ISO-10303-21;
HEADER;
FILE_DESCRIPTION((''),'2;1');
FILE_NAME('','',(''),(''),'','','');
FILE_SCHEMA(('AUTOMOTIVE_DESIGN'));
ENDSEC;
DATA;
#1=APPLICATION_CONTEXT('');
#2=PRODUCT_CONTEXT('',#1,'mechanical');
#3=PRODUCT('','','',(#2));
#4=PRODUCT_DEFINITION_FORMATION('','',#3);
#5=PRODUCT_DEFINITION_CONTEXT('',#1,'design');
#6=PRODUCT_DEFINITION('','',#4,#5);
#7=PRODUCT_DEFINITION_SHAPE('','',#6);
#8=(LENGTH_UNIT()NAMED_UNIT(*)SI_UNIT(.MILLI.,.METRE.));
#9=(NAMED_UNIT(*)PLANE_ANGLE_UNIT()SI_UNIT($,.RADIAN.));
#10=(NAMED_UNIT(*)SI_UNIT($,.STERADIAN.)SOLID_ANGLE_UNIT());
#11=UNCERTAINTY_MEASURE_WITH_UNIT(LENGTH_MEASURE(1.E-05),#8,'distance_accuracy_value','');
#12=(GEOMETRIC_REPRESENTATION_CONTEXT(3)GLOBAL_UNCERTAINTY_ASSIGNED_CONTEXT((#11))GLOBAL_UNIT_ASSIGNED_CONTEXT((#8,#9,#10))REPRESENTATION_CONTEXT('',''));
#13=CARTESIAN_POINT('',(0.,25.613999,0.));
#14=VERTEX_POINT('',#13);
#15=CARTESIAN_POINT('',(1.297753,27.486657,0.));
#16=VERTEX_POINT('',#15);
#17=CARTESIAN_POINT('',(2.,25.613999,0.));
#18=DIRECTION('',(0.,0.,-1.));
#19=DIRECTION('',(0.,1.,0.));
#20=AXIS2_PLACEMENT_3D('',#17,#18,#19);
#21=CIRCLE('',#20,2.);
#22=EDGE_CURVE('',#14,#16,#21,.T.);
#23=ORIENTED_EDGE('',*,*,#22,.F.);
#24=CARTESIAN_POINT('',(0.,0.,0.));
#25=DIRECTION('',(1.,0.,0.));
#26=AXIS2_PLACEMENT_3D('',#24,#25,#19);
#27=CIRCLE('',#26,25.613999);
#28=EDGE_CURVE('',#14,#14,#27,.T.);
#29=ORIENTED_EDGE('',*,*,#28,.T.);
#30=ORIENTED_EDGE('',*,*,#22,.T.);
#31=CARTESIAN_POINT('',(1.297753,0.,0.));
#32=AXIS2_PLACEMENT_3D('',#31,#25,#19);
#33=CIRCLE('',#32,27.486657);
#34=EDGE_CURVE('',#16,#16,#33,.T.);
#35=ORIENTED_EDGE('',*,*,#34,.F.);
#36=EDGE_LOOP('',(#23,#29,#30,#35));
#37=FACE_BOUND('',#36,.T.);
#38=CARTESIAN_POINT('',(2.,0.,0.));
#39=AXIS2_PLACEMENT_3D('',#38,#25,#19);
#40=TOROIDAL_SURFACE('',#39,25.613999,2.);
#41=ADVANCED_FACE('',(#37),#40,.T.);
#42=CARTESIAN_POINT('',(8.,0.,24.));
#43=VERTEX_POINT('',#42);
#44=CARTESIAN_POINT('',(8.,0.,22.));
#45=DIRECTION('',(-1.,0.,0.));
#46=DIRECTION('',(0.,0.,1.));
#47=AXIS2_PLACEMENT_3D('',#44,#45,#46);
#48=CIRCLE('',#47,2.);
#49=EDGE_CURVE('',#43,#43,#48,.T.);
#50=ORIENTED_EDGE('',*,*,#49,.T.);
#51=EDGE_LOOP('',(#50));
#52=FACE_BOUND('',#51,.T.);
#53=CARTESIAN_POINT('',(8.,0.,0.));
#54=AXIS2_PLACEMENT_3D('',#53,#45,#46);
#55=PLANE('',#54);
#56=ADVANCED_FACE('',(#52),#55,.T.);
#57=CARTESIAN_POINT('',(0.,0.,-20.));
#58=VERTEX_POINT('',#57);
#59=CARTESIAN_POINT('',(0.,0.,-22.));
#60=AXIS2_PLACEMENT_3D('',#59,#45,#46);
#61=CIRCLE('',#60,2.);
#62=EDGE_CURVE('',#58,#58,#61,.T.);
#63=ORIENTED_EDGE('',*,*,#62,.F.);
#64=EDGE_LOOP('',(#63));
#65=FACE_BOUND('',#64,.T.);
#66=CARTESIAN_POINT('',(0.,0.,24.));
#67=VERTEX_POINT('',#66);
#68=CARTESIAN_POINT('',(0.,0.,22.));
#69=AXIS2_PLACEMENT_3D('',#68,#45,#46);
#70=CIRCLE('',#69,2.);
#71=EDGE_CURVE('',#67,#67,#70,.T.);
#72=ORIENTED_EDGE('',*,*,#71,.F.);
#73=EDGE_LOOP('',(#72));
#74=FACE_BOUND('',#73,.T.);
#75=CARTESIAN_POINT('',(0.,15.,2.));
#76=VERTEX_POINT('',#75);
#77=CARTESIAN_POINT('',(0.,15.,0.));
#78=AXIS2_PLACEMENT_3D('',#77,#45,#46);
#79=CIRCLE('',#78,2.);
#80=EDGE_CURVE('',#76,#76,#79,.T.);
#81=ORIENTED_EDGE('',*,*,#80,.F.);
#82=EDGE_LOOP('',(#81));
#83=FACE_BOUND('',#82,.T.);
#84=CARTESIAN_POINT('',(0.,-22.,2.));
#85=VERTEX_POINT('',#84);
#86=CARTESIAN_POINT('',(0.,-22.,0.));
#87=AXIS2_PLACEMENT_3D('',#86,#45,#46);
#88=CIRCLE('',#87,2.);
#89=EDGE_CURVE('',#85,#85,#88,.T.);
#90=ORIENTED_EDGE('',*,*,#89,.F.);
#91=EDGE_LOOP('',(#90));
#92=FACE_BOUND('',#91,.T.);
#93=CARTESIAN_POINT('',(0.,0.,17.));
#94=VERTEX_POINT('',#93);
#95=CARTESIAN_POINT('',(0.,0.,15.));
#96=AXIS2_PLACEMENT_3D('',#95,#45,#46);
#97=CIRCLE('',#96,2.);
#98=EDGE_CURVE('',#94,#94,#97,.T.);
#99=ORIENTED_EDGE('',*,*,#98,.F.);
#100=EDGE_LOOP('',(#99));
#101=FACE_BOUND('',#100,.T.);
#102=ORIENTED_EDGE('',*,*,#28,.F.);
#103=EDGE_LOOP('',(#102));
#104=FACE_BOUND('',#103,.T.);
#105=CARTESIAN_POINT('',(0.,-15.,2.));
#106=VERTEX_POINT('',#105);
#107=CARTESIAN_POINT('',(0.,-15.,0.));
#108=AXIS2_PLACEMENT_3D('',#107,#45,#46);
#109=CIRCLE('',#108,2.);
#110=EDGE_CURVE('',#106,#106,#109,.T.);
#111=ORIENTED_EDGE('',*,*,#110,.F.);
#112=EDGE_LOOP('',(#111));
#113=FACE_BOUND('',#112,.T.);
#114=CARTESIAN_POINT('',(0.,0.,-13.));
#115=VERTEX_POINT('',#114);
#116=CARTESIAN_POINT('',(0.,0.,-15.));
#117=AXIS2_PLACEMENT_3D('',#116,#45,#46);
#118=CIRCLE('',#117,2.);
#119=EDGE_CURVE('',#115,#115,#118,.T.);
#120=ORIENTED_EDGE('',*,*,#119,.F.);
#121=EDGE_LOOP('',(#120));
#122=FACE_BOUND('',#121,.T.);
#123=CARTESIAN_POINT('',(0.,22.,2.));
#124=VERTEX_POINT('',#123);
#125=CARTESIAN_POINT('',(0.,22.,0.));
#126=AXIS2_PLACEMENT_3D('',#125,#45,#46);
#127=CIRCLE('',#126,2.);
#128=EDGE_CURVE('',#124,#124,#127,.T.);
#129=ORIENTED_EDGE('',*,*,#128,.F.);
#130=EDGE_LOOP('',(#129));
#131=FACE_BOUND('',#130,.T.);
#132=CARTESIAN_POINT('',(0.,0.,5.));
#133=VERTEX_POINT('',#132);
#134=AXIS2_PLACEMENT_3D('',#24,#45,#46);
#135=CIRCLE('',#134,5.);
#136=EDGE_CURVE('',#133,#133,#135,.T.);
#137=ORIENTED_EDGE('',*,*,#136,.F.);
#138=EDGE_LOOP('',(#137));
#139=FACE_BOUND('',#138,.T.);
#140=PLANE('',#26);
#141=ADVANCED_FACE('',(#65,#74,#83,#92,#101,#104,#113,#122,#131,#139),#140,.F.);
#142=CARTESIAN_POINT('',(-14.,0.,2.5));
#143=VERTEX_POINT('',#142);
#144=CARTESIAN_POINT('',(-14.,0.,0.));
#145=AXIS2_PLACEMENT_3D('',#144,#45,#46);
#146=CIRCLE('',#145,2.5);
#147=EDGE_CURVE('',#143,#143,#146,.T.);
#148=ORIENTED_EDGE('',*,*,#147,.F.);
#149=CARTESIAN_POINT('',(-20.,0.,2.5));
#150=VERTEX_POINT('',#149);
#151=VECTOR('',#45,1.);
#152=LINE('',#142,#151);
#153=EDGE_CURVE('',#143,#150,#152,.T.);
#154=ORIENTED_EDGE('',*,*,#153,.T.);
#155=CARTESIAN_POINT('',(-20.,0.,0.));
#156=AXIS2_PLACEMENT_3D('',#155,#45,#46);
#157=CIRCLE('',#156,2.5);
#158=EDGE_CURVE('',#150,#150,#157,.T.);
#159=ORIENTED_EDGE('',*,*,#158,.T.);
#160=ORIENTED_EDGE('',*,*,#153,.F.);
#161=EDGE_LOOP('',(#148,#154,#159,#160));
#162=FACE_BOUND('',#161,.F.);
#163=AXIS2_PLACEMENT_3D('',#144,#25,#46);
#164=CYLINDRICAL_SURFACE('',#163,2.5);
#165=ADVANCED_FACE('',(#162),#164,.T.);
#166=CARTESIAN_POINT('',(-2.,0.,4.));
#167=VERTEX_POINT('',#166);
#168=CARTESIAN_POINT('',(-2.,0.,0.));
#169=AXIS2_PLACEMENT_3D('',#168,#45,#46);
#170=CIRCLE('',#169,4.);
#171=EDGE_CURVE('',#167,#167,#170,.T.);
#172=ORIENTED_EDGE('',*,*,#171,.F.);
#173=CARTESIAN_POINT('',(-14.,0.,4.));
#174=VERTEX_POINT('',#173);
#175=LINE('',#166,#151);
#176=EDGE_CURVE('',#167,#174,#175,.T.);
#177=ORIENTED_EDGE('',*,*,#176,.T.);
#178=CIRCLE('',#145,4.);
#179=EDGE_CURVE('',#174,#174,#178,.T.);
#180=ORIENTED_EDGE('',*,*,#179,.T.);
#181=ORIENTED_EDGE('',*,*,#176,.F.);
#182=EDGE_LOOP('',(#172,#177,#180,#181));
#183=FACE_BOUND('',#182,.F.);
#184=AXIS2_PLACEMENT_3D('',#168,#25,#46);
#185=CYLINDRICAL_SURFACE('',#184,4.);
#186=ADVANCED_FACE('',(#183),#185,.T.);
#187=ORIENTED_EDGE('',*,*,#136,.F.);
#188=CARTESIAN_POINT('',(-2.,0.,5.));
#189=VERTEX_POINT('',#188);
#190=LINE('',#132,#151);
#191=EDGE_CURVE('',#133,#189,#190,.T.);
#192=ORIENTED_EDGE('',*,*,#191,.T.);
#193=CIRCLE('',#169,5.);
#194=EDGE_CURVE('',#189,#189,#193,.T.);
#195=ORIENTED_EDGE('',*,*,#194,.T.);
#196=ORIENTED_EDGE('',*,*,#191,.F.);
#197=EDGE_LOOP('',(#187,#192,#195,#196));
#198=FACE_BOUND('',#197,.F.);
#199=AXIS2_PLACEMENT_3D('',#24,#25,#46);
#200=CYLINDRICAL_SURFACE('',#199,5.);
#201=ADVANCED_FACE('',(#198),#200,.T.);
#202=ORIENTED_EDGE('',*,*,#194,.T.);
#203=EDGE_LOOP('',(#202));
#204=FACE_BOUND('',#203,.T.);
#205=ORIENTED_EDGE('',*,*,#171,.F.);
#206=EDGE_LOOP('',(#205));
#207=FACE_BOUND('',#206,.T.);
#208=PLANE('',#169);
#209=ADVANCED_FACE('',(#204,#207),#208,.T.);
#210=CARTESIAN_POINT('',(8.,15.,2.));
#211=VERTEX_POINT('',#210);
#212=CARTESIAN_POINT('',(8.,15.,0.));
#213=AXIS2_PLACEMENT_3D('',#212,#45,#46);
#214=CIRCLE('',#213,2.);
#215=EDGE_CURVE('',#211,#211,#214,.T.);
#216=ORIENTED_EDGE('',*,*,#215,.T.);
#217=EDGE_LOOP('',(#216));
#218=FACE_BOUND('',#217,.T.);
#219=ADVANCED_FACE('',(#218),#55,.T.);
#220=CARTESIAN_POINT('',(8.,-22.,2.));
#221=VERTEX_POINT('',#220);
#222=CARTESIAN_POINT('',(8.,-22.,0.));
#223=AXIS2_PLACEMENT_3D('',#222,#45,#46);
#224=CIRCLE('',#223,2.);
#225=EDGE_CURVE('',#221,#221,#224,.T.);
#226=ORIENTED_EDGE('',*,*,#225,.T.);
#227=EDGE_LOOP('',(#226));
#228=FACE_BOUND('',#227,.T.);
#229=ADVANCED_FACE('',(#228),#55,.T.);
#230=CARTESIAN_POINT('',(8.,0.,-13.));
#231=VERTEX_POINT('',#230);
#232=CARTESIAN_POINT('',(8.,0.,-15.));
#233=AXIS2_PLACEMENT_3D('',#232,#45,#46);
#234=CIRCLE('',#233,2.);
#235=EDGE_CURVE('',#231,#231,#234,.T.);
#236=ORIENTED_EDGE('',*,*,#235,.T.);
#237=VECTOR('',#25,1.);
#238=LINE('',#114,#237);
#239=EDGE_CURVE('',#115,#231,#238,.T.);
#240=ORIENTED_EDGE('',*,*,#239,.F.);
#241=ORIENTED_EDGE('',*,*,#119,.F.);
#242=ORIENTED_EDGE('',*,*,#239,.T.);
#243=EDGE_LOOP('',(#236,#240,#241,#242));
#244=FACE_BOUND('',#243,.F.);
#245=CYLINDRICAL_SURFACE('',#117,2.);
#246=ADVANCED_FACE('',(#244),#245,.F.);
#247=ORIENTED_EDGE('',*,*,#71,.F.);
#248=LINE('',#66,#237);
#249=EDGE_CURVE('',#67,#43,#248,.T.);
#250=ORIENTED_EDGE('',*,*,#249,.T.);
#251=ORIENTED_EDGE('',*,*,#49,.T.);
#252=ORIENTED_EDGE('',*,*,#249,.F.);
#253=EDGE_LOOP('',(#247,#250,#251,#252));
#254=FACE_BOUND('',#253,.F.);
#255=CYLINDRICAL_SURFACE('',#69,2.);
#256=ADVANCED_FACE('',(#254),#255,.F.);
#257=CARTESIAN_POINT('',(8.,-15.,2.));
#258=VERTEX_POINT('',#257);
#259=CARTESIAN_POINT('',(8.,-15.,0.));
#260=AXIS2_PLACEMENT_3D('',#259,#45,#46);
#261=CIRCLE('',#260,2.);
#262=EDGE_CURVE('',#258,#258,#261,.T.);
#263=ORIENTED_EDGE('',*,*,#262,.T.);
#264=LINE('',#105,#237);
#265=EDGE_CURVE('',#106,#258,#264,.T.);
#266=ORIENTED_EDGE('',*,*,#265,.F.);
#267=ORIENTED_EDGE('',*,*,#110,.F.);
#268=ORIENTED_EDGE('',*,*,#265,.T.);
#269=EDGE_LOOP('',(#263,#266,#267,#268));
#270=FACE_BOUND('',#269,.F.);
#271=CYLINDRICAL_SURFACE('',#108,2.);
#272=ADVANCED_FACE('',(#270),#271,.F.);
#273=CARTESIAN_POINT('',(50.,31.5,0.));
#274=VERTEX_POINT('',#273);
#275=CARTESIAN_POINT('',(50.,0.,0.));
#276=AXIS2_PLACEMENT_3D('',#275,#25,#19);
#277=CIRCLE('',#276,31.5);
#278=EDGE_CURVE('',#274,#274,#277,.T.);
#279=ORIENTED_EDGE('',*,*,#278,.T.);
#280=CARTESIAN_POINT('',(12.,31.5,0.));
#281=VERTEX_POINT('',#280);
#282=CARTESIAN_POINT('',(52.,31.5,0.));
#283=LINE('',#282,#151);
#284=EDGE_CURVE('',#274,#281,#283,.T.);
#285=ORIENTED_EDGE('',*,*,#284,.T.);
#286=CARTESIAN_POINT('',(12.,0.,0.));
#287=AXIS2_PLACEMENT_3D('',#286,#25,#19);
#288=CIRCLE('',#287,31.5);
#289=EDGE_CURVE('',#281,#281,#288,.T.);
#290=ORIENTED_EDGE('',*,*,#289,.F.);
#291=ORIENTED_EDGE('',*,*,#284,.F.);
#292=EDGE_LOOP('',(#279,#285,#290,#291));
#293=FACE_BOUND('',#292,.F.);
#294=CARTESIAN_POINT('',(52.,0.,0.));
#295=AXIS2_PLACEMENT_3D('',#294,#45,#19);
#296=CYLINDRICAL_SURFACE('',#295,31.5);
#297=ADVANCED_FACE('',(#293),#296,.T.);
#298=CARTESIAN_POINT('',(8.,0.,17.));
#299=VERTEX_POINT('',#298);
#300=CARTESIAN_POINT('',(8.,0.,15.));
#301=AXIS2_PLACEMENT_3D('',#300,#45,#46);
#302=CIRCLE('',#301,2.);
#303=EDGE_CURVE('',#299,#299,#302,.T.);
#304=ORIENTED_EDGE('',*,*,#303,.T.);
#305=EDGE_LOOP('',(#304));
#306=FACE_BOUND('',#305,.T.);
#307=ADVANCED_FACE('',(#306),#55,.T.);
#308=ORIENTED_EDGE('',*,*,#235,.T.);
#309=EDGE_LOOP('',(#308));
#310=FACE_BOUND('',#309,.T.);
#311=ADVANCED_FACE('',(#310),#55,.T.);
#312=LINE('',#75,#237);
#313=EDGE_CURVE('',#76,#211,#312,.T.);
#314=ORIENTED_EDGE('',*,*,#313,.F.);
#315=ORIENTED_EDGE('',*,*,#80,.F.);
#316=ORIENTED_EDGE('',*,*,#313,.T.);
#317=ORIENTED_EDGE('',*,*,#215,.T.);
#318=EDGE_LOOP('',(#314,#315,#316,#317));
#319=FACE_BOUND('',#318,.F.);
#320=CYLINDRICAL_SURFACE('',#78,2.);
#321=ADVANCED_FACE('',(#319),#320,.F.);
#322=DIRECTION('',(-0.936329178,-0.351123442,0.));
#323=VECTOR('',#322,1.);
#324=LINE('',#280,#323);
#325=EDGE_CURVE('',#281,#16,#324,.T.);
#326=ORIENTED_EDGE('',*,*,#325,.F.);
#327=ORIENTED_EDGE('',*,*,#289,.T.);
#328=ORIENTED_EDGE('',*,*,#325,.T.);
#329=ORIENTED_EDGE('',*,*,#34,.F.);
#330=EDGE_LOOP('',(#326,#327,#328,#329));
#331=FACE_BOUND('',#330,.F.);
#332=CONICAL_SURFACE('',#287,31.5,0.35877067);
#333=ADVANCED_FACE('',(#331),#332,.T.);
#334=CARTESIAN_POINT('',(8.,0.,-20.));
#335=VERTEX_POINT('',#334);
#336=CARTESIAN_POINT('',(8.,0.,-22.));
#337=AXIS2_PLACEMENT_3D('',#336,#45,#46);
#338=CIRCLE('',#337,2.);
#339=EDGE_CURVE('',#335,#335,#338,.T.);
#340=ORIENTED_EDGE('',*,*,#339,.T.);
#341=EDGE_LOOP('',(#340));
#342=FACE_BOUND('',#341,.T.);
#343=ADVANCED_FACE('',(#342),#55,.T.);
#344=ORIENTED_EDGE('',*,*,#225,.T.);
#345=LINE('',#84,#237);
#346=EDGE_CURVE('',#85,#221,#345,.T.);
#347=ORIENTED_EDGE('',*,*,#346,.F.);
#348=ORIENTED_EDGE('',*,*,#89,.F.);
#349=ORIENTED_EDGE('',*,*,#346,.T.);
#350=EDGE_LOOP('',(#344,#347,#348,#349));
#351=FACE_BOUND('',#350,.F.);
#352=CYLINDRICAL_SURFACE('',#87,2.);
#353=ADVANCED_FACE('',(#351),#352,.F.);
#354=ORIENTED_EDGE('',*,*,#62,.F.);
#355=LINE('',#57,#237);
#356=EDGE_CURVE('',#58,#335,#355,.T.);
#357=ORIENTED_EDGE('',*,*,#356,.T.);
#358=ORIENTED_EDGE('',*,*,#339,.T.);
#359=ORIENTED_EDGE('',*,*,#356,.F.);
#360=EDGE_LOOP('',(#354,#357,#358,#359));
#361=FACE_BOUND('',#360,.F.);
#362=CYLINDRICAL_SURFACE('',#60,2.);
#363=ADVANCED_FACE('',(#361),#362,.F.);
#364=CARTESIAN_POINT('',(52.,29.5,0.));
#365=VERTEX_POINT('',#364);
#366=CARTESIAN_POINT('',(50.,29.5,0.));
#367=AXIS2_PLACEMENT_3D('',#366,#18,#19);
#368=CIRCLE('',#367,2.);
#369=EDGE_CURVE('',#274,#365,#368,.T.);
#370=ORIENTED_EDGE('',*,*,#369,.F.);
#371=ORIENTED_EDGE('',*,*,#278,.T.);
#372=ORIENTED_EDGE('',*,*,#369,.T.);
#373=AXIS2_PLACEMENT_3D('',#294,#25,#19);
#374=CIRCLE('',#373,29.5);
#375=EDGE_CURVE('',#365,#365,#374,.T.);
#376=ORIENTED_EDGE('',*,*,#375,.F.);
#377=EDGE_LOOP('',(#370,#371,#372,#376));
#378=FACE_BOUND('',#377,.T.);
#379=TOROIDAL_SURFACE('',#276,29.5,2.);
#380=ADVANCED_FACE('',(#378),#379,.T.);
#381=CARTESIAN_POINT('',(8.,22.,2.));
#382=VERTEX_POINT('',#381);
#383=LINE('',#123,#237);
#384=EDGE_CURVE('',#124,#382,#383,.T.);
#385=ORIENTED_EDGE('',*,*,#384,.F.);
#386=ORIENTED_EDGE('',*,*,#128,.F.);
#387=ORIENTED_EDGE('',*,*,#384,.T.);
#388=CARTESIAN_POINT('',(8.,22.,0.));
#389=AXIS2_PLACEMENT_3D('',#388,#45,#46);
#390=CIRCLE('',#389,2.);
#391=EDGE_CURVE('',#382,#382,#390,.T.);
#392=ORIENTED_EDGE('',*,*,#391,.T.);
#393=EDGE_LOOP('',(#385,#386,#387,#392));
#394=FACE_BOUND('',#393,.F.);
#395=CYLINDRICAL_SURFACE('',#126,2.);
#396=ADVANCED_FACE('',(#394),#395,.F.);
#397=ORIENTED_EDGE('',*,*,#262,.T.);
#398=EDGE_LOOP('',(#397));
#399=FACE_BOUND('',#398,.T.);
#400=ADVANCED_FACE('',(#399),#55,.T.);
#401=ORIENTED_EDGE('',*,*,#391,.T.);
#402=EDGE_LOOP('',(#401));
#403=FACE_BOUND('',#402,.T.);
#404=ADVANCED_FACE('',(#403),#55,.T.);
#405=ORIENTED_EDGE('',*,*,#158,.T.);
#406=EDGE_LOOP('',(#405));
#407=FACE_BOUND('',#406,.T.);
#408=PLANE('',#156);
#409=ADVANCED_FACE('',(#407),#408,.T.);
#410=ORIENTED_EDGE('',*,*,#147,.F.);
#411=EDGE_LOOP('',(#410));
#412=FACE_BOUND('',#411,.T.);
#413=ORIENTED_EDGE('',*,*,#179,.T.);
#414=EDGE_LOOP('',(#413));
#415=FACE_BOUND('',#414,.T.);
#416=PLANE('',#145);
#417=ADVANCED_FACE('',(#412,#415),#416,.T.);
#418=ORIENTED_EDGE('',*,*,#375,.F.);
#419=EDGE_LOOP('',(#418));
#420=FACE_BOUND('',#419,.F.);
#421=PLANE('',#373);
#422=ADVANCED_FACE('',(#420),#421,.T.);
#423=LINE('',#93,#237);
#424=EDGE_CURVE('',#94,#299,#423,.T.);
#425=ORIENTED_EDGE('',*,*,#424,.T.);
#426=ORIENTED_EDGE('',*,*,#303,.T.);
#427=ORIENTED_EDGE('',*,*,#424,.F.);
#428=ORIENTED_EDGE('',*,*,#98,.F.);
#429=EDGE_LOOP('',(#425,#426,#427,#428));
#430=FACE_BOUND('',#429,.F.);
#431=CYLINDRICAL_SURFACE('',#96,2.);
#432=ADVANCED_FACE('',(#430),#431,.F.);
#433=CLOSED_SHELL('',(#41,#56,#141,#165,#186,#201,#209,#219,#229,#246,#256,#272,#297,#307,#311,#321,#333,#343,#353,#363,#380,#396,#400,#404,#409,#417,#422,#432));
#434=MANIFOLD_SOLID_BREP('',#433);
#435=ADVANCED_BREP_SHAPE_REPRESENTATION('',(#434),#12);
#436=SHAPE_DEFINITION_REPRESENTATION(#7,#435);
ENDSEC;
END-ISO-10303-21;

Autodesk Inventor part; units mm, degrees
ref_plane "YZ Plane" through (0, 0, 0) normal (1, 0, 0) x (0, 1, 0)
ref_plane "XZ Plane" through (0, 0, 0) normal (0, 1, 0) x (-1, 0, 0)
ref_plane "XY Plane" through (0, 0, 0) normal (0, 0, 1) x (1, 0, 0)
sketch "Sketch1" plane through (0, 0, 0) normal (0, 0, 1) x (1, 0, 0)
  line L0 (0, 0) -> (0, 27)
  line L1 (0, 0) -> (52, 0)
  line L2 (52, 0) -> (52, 31.5)
  line L3 (52, 31.5) -> (12, 31.5)
  line L4 (12, 31.5) -> (0, 27)
  dimension "d1" = 27
  dimension "d2" = 52
  dimension "d3" = 31.5
  dimension "d4" = 40
revolve "Revolution1" add sketch "Sketch1" angle 360 about axis through (0, 0, 0) along (1, 0, 0)
sketch "Sketch2" plane through (0, 0, 0) normal (-1, 0, 0) x (0, 0, 1)
  circle A0 centre (0, 0) radius 5
  dimension "d6" = 10
extrude "Extrusion1" add sketch "Sketch2" along normal blind 2
sketch "Sketch3" plane through (-2, 0, 0) normal (-1, 0, 0) x (0, 0, 1)
  circle A0 centre (0, 0) radius 4
  dimension "d9" = 8
extrude "Extrusion2" add sketch "Sketch3" along normal blind 12
sketch "Sketch4" plane through (-14, 0, 0) normal (-1, 0, 0) x (0, 0, 1)
  circle A0 centre (0, 0) radius 4 projected
  circle A1 centre (0, 0) radius 2.5
  dimension "d12" = 5
extrude "Extrusion3" add sketch "Sketch4" along normal blind 6 contours A1
thread "Thread1" size "M8x1" class "6g" standard "ANSI Metric M Profile" length 6
thread "Thread2" size "M5x0.8" class "6g" standard "ANSI Metric M Profile" full length
fillet "Fillet1" radius 2 2 edges at (0, -27, 0) (52, -31.5, 0)
sketch "Sketch5" plane through (0, 0, 0) normal (-1, 0, 0) x (0, 0, 1)
  circle A0 centre (0, 15) radius 2
  circle A1 centre (0, 22) radius 2
  circle A2 centre (-15, 0) radius 2
  circle A3 centre (-22, 0) radius 2
  circle A4 centre (0, -15) radius 2
  circle A5 centre (0, -22) radius 2
  circle A6 centre (15, 0) radius 2
  circle A7 centre (22, 0) radius 2
  point P0 (0, 0)
  dimension "d20" = 4
  dimension "d21" = 4
  dimension "d24" = 360
extrude "Extrusion4" cut sketch "Sketch5" against normal blind 8
properties part number "moteur"
